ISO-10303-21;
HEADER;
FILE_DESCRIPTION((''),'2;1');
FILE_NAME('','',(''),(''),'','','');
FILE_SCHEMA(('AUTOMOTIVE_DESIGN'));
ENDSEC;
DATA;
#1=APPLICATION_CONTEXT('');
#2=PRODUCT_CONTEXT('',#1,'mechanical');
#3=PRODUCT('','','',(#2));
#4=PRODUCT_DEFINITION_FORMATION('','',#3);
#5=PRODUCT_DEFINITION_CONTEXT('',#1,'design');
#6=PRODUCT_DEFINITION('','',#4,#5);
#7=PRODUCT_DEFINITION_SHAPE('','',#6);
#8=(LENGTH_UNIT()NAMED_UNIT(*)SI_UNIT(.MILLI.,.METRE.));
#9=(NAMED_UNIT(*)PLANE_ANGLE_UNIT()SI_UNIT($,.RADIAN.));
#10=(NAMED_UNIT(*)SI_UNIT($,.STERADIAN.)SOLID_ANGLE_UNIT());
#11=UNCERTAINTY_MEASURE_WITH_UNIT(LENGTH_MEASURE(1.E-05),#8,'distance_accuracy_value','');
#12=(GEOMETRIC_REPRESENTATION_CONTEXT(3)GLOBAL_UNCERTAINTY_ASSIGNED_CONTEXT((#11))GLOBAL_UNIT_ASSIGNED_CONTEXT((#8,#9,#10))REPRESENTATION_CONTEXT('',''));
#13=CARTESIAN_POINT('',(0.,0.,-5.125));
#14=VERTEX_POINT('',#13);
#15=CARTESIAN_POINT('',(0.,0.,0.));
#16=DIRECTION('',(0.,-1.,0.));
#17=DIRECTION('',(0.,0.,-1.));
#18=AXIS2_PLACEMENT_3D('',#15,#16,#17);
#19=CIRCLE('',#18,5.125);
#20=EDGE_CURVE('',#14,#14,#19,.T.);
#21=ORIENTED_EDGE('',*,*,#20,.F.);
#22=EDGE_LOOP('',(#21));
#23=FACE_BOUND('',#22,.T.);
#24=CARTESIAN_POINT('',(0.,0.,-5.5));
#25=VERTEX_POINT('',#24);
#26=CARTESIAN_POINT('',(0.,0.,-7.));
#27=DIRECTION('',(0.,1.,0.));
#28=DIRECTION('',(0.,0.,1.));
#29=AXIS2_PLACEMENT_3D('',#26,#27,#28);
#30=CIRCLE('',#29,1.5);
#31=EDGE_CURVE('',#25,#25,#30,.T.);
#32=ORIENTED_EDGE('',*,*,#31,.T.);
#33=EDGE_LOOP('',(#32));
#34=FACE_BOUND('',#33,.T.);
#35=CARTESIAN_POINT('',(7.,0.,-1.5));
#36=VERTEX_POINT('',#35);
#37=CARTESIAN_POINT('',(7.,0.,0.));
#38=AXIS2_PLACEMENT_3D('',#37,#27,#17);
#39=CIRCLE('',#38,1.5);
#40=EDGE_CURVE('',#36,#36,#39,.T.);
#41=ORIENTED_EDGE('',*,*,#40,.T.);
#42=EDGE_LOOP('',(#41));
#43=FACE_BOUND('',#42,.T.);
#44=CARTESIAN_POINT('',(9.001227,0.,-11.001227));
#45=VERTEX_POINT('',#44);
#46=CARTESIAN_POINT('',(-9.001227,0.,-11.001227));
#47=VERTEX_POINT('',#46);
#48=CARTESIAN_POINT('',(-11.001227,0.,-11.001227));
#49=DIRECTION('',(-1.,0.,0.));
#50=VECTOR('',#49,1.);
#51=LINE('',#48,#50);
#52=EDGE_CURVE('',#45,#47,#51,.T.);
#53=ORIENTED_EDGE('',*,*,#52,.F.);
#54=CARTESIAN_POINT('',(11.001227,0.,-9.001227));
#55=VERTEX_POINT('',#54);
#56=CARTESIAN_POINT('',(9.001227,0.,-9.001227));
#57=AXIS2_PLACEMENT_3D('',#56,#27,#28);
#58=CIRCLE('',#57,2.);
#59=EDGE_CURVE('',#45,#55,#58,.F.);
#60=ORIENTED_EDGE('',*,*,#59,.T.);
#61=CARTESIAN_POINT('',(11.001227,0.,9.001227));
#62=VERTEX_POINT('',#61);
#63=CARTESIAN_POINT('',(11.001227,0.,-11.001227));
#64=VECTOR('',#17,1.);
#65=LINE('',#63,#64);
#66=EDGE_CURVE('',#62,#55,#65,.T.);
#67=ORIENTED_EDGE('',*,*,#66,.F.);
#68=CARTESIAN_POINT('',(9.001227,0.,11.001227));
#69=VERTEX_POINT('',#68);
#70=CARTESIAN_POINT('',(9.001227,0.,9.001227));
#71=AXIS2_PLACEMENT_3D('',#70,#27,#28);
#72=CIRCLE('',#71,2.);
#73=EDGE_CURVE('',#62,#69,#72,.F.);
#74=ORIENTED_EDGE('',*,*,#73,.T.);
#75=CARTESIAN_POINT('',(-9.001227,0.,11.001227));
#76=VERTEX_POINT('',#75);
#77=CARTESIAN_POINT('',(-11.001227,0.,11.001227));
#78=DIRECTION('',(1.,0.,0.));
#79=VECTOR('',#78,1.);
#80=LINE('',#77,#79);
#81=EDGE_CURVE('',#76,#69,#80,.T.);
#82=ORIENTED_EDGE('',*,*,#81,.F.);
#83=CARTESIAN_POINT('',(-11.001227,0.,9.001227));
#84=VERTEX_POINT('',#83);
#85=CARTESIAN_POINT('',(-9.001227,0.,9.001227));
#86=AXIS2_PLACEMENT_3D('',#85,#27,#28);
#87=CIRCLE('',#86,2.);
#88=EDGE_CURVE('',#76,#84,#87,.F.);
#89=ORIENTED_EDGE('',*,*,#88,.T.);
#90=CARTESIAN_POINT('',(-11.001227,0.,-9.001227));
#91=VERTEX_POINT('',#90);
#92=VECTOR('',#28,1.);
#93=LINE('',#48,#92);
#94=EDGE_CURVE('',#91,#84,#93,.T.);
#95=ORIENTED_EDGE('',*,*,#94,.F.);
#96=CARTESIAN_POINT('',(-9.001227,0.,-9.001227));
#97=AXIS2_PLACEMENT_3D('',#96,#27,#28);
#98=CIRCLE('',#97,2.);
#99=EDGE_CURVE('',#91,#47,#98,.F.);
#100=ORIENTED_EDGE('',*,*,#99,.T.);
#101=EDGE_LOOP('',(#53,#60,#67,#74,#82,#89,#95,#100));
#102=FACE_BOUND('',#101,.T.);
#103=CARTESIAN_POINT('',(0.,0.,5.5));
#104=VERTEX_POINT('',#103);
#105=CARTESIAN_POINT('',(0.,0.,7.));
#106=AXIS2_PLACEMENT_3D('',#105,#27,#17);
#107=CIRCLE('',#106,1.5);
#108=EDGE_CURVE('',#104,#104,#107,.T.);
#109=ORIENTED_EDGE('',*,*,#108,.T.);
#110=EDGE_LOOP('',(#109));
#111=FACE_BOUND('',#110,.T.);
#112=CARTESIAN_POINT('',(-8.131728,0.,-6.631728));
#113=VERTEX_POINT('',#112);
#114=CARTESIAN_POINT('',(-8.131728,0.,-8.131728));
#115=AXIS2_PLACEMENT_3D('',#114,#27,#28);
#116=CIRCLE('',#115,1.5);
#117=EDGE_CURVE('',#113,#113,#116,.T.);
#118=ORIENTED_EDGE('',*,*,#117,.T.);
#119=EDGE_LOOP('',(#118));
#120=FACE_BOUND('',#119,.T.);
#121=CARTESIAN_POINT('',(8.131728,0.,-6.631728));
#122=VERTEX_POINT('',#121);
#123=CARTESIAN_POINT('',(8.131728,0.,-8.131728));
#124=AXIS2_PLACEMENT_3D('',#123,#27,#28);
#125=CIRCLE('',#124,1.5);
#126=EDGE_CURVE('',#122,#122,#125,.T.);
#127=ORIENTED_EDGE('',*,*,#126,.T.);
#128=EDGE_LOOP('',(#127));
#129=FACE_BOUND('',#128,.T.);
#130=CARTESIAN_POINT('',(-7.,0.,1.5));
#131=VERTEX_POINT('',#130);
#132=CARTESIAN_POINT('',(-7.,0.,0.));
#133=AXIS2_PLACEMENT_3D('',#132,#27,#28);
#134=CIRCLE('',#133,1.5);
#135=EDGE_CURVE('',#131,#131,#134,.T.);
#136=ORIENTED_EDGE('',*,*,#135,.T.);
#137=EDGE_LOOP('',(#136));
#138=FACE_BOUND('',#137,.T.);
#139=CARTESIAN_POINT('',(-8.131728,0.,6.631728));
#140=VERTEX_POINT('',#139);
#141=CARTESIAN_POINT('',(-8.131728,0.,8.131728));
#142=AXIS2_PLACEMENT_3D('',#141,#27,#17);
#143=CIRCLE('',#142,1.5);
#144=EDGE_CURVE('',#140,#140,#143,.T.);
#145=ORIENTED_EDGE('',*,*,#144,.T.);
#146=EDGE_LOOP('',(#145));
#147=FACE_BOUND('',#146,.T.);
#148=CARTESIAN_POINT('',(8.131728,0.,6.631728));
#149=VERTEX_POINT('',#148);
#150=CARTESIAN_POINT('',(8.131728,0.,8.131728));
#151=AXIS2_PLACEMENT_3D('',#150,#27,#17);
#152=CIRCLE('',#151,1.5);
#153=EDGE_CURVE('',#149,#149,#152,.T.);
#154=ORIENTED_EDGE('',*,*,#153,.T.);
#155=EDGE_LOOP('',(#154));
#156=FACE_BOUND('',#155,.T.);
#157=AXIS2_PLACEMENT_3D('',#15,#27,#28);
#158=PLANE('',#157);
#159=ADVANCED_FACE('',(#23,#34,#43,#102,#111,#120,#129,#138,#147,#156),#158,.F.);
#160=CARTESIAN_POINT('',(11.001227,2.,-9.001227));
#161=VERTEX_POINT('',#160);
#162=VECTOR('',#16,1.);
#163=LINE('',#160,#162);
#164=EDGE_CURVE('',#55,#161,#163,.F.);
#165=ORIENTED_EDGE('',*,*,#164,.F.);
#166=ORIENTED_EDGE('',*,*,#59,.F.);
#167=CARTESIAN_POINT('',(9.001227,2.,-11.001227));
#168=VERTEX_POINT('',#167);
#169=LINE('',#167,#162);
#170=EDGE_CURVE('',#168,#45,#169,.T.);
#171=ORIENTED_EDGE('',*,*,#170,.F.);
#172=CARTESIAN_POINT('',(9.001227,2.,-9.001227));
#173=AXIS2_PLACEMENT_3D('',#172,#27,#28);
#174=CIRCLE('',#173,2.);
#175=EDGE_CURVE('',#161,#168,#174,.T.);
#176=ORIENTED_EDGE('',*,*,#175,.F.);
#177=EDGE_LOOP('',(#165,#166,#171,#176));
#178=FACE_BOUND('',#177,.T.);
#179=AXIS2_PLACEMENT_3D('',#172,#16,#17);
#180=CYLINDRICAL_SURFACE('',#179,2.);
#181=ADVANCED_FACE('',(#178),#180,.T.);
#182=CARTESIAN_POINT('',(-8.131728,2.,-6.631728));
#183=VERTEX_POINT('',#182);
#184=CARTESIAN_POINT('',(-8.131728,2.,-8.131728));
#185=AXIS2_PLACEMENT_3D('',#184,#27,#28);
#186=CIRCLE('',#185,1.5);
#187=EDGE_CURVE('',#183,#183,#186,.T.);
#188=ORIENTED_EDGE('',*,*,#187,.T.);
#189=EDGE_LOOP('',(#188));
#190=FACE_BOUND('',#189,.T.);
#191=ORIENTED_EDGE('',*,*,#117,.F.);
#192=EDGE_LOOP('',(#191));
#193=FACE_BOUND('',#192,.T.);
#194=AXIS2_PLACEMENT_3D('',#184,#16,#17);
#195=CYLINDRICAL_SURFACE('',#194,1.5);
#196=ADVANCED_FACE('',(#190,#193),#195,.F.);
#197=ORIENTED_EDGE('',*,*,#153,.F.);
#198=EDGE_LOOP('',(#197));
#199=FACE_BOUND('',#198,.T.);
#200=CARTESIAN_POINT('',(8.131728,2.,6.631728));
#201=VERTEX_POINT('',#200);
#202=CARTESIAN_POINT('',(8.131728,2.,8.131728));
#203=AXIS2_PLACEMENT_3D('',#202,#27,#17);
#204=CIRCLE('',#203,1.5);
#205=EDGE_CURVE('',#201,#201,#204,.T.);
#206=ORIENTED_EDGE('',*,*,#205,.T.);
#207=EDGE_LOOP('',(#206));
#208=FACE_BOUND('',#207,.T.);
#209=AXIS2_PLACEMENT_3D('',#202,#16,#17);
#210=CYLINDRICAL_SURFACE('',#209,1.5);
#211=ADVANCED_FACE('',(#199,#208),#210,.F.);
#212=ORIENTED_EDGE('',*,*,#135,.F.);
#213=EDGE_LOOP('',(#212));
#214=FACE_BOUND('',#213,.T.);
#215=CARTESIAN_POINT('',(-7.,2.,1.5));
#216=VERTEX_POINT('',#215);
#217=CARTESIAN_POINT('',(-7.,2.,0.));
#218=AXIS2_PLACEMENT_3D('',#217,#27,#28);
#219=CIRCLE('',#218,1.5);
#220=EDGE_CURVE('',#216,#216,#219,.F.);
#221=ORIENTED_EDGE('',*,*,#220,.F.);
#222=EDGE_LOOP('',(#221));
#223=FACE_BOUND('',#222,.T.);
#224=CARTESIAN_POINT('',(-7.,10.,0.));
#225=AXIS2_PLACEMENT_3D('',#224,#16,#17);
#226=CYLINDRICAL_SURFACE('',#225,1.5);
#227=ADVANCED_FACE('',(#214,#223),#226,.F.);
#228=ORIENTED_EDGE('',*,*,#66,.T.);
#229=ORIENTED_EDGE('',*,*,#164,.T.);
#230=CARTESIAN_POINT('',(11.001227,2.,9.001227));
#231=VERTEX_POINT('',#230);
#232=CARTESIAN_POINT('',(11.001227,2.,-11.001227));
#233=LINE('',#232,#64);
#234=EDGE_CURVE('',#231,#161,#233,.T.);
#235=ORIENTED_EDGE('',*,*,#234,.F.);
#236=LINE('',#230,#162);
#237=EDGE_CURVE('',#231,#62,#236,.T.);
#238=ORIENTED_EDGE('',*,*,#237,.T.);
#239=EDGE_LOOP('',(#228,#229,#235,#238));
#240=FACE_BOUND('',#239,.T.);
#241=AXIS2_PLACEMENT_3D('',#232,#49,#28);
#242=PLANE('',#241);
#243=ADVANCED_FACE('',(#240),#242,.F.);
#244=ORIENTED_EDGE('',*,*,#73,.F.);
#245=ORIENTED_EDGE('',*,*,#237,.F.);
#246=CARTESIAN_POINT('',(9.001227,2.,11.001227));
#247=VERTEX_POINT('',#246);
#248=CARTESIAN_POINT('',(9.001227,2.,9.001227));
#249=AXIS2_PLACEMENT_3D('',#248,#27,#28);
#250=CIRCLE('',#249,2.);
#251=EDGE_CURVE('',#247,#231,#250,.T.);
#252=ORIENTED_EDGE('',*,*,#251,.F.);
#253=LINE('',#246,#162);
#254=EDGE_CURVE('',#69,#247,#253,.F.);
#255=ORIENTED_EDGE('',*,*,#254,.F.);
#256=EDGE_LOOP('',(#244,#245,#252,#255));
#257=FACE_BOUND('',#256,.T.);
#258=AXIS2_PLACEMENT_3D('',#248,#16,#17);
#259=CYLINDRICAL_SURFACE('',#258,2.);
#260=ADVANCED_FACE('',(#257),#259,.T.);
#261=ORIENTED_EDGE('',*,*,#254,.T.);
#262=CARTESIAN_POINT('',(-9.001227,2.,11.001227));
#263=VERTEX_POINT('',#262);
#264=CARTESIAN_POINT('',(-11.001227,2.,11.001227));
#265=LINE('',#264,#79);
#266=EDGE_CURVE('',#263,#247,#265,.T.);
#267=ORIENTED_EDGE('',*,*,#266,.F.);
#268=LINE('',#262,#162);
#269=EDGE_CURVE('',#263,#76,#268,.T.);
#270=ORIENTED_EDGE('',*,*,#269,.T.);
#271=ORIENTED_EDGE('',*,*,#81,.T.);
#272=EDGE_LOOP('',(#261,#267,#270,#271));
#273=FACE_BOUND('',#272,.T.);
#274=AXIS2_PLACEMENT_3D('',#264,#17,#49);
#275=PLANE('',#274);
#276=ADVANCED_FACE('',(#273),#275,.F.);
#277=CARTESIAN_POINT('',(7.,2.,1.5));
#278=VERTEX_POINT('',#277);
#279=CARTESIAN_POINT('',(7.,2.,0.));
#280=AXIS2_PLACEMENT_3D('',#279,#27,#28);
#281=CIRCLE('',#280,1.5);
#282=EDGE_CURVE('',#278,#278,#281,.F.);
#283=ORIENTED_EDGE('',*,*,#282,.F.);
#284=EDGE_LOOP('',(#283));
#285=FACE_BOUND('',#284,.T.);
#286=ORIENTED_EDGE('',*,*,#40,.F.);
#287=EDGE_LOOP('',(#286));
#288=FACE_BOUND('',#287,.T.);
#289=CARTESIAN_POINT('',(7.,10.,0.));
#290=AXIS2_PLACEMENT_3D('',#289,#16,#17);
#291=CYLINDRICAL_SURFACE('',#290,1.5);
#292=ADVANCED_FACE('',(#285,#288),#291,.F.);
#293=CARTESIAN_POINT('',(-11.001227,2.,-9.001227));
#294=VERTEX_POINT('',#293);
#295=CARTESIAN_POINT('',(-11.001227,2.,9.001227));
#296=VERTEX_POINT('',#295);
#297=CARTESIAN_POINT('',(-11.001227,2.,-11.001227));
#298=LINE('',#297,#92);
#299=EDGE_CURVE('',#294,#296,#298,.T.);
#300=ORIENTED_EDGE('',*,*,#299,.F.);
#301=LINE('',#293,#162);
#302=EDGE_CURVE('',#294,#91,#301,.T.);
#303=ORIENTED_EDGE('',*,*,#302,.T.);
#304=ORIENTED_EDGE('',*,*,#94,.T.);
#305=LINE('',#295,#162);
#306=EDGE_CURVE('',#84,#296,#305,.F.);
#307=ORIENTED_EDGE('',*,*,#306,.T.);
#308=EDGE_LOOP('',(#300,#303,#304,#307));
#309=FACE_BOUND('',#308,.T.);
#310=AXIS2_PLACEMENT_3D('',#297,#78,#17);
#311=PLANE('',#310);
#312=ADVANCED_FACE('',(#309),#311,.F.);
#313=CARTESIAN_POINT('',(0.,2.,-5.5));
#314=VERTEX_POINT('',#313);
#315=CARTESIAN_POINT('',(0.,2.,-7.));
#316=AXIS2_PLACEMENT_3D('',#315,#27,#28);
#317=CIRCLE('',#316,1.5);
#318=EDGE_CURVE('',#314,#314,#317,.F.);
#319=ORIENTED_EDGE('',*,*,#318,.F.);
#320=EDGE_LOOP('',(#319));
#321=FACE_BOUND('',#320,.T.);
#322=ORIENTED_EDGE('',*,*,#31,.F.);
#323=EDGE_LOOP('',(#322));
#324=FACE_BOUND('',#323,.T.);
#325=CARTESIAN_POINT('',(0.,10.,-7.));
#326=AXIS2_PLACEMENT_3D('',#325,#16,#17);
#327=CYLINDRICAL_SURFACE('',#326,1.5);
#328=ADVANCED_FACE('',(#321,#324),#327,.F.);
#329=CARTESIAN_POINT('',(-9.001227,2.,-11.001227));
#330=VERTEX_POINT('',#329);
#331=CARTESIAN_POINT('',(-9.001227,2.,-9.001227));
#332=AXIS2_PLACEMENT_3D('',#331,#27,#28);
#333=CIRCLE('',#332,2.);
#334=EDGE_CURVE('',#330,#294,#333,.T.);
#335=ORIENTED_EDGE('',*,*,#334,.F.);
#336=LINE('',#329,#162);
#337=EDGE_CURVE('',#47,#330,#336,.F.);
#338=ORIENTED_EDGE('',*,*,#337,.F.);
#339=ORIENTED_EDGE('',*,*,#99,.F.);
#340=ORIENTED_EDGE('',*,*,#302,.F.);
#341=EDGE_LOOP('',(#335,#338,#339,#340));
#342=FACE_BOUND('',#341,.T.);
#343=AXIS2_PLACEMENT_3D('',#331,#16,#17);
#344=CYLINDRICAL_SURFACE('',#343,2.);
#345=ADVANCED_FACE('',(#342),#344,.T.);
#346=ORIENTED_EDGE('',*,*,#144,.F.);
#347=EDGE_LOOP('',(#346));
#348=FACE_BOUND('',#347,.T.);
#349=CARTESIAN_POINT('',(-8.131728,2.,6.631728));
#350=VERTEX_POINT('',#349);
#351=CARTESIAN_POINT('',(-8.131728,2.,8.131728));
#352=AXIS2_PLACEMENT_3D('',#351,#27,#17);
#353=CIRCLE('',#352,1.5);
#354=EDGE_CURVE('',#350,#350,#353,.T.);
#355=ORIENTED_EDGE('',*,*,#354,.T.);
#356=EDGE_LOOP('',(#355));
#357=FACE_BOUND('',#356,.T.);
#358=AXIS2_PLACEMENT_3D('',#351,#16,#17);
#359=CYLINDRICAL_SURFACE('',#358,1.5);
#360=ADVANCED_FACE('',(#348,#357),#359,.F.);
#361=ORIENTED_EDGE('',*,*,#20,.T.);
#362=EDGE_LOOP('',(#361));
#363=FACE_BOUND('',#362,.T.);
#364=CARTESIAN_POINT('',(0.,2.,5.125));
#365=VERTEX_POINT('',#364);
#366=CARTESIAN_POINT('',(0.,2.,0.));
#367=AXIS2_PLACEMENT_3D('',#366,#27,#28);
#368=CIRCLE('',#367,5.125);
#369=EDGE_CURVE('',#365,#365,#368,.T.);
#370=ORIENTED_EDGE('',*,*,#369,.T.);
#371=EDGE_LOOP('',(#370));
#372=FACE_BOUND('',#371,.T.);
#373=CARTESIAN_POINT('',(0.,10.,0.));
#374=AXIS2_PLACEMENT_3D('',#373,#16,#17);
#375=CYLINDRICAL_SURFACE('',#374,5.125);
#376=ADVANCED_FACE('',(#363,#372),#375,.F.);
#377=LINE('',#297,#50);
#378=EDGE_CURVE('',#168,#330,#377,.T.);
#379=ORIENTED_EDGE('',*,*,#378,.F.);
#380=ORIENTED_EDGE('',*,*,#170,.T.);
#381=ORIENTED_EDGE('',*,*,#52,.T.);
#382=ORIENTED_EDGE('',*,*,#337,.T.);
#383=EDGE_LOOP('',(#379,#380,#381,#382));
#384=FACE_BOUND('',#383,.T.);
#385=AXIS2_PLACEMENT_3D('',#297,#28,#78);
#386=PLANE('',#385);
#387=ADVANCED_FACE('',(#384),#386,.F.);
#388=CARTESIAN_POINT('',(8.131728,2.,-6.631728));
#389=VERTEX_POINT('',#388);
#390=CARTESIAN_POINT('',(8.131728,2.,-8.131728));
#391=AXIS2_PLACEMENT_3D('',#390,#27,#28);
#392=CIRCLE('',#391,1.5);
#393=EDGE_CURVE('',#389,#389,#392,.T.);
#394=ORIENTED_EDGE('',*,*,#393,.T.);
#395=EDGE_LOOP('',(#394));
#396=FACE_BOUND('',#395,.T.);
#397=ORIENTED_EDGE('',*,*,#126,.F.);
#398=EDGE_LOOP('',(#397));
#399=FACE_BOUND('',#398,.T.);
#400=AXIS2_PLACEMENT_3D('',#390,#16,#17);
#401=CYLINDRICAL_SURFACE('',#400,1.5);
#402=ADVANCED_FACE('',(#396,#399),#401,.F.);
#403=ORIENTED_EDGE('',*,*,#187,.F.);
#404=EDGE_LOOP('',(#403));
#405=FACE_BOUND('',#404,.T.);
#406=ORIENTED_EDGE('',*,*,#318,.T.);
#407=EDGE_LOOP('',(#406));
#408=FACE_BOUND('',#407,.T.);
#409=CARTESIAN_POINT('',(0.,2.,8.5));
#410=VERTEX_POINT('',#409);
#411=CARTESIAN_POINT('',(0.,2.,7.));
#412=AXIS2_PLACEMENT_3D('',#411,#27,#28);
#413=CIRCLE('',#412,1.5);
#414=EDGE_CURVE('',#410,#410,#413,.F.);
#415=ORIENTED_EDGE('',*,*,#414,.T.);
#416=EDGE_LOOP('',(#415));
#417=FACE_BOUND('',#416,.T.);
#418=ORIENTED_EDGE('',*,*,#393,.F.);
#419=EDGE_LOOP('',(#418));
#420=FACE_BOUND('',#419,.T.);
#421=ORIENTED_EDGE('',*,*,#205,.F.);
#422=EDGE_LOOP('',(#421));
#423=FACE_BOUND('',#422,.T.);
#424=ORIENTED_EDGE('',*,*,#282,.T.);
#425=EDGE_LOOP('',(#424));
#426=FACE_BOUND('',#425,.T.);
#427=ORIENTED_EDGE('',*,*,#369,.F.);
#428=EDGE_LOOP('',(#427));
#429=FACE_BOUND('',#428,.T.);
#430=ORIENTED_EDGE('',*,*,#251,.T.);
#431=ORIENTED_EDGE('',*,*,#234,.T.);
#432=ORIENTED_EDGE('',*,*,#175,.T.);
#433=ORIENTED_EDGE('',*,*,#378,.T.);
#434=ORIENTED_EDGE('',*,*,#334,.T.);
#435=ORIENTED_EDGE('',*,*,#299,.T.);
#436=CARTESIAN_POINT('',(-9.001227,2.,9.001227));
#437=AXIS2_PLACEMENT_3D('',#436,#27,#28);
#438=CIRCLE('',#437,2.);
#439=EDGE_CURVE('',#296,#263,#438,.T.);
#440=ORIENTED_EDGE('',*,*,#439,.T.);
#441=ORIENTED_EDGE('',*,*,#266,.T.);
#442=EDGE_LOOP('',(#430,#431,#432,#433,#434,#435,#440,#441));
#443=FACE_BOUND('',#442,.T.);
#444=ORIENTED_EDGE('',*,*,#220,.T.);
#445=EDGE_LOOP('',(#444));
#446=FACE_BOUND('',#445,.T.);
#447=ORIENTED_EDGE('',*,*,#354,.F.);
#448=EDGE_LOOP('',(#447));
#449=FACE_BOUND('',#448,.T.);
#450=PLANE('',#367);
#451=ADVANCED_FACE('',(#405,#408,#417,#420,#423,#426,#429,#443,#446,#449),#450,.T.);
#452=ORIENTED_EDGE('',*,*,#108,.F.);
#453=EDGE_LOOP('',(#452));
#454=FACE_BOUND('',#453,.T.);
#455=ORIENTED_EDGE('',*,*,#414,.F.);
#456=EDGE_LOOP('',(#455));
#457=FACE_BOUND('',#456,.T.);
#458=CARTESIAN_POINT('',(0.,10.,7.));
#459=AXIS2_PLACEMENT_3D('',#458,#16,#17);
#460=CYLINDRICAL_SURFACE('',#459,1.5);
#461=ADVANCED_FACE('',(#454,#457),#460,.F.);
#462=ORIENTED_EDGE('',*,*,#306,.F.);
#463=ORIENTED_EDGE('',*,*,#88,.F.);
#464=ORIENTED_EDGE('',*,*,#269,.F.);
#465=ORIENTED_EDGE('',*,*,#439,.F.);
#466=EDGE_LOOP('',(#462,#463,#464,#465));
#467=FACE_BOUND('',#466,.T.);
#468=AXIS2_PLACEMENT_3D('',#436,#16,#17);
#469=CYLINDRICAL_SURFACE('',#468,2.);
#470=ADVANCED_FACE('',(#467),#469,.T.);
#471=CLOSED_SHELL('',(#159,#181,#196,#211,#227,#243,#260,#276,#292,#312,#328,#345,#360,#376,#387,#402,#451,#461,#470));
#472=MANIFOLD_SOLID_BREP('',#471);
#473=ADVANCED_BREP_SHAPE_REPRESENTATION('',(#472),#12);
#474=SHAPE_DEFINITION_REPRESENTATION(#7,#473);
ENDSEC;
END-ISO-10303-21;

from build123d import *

# Parameters (mm, degrees)
SKETCH_1_W          = 22.002454374
SKETCH_1_H          = 22.002454374
SKETCH_1_R          = 1.5
EXTRUDE_1_DEPTH     = 2
FILLET_1_R          = 2
SKETCH_3_R          = 1.5
CUT_EXTRUDE_2_DEPTH = 10
SKETCH_4_R          = 5.125
CUT_EXTRUDE_3_DEPTH = 10


with BuildPart() as part:
    # 草图1 → 凸台-拉伸1 (new body)
    with BuildSketch(Plane(origin=(0, 0, 0), x_dir=(1, 0, 0), z_dir=(0, 1, 0))):
        Rectangle(SKETCH_1_W, SKETCH_1_H)
        with Locations(Location((-8.131727984, 8.131727984, 0), (0, 0, 270))):
            Circle(SKETCH_1_R, mode=Mode.SUBTRACT)
        with Locations(Location((8.131727984, -8.131727984, 0), (0, 0, 90))):
            Circle(SKETCH_1_R, mode=Mode.SUBTRACT)
        with Locations(Location((8.131727984, 8.131727984, 0), (0, 0, 270))):
            Circle(SKETCH_1_R, mode=Mode.SUBTRACT)
        with Locations(Location((-8.131727984, -8.131727984, 0), (0, 0, 90))):
            Circle(SKETCH_1_R, mode=Mode.SUBTRACT)
    extrude(amount=EXTRUDE_1_DEPTH)

    # 圆角1
    fillet_1_edges = [part.edges().sort_by_distance(p)[0] for p in [
        (11.001227187, 1, 11.001227187),
        (-11.001227187, 1, 11.001227187),
        (-11.001227187, 1, -11.001227187),
        (11.001227187, 1, -11.001227187),
    ]]
    fillet(fillet_1_edges, radius=FILLET_1_R)

    # 草图3 → 切除-拉伸2 (cut)
    with BuildSketch(Plane(origin=(0, 0, 0), x_dir=(1, 0, 0), z_dir=(0, 1, 0))):
        with Locations(Location((-7, 0, 0), (0, 0, 270))):
            Circle(SKETCH_3_R)
        with Locations(Location((7, 0, 0), (0, 0, 90))):
            Circle(SKETCH_3_R)
        with Locations(Location((0, 7, 0), (0, 0, 270))):
            Circle(SKETCH_3_R)
        with Locations(Location((0, -7, 0), (0, 0, 90))):
            Circle(SKETCH_3_R)
    extrude(amount=CUT_EXTRUDE_2_DEPTH, mode=Mode.SUBTRACT)

    # 草图4 → 切除-拉伸3 (cut)
    with BuildSketch(Plane.XZ):
        with Locations(Location((0, 0, 0), (0, 0, 270))):
            Circle(SKETCH_4_R)
    extrude(amount=-CUT_EXTRUDE_3_DEPTH, mode=Mode.SUBTRACT)


solid = part.part
